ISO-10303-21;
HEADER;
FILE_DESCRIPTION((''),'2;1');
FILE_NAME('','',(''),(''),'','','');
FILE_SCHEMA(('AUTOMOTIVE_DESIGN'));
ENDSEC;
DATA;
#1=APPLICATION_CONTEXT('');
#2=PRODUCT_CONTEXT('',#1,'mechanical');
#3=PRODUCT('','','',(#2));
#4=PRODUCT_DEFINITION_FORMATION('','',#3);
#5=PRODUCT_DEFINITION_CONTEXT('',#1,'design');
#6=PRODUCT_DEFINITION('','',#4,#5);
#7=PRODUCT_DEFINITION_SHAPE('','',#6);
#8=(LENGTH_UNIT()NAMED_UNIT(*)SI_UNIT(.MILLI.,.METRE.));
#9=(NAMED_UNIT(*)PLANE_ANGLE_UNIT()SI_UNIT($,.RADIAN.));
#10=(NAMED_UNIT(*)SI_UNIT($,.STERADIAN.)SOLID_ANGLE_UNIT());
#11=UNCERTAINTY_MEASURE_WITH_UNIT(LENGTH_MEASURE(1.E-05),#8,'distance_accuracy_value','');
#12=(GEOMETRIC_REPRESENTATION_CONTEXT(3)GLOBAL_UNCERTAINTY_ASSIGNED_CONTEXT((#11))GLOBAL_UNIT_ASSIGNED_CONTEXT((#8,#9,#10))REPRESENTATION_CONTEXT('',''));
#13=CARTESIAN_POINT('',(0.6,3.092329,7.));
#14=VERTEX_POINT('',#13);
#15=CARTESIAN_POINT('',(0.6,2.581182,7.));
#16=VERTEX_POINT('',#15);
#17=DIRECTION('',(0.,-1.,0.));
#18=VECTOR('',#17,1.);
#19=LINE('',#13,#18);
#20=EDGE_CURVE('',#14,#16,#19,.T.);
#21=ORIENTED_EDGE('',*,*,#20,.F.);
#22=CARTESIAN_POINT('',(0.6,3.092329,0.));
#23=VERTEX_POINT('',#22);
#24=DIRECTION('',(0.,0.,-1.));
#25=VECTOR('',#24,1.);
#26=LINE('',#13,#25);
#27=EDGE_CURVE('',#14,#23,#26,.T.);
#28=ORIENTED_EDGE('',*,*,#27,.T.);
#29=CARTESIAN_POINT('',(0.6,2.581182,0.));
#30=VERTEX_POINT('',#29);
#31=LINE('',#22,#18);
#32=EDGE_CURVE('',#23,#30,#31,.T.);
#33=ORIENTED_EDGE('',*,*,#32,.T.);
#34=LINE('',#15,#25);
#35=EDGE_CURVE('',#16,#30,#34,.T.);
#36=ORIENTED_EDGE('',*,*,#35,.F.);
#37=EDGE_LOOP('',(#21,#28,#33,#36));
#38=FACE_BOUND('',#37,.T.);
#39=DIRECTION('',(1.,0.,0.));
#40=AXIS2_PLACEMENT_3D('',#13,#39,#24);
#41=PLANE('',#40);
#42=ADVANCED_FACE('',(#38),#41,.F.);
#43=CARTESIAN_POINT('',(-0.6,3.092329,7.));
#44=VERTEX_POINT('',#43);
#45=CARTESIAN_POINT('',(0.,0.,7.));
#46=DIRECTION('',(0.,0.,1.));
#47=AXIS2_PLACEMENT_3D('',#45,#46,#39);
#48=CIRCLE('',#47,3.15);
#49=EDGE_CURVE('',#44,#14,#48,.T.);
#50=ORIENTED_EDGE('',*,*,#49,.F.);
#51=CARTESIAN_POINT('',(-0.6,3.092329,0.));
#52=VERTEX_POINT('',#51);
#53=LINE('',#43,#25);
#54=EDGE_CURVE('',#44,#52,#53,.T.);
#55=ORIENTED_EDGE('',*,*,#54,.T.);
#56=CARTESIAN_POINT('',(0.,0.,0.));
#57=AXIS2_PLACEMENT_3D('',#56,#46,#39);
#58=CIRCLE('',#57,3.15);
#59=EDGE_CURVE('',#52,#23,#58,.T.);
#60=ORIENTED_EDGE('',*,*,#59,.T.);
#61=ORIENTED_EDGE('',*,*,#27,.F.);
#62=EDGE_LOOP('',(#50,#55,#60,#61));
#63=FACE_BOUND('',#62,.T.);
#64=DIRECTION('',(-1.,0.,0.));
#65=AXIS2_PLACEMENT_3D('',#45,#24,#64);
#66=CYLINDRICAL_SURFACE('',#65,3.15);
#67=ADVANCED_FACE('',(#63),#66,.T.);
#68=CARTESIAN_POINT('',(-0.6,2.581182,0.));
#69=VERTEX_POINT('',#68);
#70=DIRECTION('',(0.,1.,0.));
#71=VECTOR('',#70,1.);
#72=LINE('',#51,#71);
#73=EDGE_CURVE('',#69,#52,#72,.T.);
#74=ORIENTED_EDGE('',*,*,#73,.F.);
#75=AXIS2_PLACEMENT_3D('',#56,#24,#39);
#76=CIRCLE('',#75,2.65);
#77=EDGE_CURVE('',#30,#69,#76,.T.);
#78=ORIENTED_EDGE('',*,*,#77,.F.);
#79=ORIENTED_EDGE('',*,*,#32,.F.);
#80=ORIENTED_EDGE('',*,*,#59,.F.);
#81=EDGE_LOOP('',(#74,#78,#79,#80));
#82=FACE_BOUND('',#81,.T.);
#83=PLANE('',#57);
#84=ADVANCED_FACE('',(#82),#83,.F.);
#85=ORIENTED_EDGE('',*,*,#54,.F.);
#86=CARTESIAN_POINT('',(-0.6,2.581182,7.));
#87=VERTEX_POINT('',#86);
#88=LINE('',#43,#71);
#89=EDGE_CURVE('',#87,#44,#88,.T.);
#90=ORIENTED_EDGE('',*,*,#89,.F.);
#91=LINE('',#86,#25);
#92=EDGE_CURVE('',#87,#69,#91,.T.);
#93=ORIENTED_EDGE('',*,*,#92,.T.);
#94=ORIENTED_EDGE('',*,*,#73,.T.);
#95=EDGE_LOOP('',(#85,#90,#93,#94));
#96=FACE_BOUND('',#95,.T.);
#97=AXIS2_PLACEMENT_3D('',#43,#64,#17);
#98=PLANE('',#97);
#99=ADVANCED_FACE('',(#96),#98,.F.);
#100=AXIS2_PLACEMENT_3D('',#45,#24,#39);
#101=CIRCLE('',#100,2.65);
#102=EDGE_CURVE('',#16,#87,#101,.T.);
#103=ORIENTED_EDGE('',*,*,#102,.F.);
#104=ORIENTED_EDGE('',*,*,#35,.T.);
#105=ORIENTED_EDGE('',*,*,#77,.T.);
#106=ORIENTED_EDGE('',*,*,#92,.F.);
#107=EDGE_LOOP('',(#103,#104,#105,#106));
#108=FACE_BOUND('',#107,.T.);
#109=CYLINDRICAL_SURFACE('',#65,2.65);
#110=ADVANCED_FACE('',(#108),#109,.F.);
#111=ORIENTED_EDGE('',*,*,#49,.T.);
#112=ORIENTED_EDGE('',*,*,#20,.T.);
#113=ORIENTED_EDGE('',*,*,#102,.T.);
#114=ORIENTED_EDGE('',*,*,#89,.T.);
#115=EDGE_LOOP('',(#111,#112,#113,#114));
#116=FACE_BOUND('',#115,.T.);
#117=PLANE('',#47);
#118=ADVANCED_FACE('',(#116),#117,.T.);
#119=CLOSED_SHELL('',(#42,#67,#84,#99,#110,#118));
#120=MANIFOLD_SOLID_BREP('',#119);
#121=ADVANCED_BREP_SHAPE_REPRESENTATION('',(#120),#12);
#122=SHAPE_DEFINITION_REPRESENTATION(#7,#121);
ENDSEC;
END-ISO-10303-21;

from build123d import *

# Parameters (mm, degrees)
BOSS_EXTRUDE1_DEPTH = 7


with BuildPart() as part:
    # Sketch1 → Boss-Extrude1 (new body)
    with BuildSketch(Plane.XY):
        with BuildLine():
            Line((-0.6, 3.092329219), (-0.6, 2.5811819))
            ThreePointArc((-0.6, 2.5811819), (0, -2.65), (0.6, 2.5811819))
            Line((0.6, 2.5811819), (0.6, 3.092329219))
            ThreePointArc((0.6, 3.092329219), (0, -3.15), (-0.6, 3.092329219))
        make_face()
    extrude(amount=BOSS_EXTRUDE1_DEPTH)


solid = part.part
